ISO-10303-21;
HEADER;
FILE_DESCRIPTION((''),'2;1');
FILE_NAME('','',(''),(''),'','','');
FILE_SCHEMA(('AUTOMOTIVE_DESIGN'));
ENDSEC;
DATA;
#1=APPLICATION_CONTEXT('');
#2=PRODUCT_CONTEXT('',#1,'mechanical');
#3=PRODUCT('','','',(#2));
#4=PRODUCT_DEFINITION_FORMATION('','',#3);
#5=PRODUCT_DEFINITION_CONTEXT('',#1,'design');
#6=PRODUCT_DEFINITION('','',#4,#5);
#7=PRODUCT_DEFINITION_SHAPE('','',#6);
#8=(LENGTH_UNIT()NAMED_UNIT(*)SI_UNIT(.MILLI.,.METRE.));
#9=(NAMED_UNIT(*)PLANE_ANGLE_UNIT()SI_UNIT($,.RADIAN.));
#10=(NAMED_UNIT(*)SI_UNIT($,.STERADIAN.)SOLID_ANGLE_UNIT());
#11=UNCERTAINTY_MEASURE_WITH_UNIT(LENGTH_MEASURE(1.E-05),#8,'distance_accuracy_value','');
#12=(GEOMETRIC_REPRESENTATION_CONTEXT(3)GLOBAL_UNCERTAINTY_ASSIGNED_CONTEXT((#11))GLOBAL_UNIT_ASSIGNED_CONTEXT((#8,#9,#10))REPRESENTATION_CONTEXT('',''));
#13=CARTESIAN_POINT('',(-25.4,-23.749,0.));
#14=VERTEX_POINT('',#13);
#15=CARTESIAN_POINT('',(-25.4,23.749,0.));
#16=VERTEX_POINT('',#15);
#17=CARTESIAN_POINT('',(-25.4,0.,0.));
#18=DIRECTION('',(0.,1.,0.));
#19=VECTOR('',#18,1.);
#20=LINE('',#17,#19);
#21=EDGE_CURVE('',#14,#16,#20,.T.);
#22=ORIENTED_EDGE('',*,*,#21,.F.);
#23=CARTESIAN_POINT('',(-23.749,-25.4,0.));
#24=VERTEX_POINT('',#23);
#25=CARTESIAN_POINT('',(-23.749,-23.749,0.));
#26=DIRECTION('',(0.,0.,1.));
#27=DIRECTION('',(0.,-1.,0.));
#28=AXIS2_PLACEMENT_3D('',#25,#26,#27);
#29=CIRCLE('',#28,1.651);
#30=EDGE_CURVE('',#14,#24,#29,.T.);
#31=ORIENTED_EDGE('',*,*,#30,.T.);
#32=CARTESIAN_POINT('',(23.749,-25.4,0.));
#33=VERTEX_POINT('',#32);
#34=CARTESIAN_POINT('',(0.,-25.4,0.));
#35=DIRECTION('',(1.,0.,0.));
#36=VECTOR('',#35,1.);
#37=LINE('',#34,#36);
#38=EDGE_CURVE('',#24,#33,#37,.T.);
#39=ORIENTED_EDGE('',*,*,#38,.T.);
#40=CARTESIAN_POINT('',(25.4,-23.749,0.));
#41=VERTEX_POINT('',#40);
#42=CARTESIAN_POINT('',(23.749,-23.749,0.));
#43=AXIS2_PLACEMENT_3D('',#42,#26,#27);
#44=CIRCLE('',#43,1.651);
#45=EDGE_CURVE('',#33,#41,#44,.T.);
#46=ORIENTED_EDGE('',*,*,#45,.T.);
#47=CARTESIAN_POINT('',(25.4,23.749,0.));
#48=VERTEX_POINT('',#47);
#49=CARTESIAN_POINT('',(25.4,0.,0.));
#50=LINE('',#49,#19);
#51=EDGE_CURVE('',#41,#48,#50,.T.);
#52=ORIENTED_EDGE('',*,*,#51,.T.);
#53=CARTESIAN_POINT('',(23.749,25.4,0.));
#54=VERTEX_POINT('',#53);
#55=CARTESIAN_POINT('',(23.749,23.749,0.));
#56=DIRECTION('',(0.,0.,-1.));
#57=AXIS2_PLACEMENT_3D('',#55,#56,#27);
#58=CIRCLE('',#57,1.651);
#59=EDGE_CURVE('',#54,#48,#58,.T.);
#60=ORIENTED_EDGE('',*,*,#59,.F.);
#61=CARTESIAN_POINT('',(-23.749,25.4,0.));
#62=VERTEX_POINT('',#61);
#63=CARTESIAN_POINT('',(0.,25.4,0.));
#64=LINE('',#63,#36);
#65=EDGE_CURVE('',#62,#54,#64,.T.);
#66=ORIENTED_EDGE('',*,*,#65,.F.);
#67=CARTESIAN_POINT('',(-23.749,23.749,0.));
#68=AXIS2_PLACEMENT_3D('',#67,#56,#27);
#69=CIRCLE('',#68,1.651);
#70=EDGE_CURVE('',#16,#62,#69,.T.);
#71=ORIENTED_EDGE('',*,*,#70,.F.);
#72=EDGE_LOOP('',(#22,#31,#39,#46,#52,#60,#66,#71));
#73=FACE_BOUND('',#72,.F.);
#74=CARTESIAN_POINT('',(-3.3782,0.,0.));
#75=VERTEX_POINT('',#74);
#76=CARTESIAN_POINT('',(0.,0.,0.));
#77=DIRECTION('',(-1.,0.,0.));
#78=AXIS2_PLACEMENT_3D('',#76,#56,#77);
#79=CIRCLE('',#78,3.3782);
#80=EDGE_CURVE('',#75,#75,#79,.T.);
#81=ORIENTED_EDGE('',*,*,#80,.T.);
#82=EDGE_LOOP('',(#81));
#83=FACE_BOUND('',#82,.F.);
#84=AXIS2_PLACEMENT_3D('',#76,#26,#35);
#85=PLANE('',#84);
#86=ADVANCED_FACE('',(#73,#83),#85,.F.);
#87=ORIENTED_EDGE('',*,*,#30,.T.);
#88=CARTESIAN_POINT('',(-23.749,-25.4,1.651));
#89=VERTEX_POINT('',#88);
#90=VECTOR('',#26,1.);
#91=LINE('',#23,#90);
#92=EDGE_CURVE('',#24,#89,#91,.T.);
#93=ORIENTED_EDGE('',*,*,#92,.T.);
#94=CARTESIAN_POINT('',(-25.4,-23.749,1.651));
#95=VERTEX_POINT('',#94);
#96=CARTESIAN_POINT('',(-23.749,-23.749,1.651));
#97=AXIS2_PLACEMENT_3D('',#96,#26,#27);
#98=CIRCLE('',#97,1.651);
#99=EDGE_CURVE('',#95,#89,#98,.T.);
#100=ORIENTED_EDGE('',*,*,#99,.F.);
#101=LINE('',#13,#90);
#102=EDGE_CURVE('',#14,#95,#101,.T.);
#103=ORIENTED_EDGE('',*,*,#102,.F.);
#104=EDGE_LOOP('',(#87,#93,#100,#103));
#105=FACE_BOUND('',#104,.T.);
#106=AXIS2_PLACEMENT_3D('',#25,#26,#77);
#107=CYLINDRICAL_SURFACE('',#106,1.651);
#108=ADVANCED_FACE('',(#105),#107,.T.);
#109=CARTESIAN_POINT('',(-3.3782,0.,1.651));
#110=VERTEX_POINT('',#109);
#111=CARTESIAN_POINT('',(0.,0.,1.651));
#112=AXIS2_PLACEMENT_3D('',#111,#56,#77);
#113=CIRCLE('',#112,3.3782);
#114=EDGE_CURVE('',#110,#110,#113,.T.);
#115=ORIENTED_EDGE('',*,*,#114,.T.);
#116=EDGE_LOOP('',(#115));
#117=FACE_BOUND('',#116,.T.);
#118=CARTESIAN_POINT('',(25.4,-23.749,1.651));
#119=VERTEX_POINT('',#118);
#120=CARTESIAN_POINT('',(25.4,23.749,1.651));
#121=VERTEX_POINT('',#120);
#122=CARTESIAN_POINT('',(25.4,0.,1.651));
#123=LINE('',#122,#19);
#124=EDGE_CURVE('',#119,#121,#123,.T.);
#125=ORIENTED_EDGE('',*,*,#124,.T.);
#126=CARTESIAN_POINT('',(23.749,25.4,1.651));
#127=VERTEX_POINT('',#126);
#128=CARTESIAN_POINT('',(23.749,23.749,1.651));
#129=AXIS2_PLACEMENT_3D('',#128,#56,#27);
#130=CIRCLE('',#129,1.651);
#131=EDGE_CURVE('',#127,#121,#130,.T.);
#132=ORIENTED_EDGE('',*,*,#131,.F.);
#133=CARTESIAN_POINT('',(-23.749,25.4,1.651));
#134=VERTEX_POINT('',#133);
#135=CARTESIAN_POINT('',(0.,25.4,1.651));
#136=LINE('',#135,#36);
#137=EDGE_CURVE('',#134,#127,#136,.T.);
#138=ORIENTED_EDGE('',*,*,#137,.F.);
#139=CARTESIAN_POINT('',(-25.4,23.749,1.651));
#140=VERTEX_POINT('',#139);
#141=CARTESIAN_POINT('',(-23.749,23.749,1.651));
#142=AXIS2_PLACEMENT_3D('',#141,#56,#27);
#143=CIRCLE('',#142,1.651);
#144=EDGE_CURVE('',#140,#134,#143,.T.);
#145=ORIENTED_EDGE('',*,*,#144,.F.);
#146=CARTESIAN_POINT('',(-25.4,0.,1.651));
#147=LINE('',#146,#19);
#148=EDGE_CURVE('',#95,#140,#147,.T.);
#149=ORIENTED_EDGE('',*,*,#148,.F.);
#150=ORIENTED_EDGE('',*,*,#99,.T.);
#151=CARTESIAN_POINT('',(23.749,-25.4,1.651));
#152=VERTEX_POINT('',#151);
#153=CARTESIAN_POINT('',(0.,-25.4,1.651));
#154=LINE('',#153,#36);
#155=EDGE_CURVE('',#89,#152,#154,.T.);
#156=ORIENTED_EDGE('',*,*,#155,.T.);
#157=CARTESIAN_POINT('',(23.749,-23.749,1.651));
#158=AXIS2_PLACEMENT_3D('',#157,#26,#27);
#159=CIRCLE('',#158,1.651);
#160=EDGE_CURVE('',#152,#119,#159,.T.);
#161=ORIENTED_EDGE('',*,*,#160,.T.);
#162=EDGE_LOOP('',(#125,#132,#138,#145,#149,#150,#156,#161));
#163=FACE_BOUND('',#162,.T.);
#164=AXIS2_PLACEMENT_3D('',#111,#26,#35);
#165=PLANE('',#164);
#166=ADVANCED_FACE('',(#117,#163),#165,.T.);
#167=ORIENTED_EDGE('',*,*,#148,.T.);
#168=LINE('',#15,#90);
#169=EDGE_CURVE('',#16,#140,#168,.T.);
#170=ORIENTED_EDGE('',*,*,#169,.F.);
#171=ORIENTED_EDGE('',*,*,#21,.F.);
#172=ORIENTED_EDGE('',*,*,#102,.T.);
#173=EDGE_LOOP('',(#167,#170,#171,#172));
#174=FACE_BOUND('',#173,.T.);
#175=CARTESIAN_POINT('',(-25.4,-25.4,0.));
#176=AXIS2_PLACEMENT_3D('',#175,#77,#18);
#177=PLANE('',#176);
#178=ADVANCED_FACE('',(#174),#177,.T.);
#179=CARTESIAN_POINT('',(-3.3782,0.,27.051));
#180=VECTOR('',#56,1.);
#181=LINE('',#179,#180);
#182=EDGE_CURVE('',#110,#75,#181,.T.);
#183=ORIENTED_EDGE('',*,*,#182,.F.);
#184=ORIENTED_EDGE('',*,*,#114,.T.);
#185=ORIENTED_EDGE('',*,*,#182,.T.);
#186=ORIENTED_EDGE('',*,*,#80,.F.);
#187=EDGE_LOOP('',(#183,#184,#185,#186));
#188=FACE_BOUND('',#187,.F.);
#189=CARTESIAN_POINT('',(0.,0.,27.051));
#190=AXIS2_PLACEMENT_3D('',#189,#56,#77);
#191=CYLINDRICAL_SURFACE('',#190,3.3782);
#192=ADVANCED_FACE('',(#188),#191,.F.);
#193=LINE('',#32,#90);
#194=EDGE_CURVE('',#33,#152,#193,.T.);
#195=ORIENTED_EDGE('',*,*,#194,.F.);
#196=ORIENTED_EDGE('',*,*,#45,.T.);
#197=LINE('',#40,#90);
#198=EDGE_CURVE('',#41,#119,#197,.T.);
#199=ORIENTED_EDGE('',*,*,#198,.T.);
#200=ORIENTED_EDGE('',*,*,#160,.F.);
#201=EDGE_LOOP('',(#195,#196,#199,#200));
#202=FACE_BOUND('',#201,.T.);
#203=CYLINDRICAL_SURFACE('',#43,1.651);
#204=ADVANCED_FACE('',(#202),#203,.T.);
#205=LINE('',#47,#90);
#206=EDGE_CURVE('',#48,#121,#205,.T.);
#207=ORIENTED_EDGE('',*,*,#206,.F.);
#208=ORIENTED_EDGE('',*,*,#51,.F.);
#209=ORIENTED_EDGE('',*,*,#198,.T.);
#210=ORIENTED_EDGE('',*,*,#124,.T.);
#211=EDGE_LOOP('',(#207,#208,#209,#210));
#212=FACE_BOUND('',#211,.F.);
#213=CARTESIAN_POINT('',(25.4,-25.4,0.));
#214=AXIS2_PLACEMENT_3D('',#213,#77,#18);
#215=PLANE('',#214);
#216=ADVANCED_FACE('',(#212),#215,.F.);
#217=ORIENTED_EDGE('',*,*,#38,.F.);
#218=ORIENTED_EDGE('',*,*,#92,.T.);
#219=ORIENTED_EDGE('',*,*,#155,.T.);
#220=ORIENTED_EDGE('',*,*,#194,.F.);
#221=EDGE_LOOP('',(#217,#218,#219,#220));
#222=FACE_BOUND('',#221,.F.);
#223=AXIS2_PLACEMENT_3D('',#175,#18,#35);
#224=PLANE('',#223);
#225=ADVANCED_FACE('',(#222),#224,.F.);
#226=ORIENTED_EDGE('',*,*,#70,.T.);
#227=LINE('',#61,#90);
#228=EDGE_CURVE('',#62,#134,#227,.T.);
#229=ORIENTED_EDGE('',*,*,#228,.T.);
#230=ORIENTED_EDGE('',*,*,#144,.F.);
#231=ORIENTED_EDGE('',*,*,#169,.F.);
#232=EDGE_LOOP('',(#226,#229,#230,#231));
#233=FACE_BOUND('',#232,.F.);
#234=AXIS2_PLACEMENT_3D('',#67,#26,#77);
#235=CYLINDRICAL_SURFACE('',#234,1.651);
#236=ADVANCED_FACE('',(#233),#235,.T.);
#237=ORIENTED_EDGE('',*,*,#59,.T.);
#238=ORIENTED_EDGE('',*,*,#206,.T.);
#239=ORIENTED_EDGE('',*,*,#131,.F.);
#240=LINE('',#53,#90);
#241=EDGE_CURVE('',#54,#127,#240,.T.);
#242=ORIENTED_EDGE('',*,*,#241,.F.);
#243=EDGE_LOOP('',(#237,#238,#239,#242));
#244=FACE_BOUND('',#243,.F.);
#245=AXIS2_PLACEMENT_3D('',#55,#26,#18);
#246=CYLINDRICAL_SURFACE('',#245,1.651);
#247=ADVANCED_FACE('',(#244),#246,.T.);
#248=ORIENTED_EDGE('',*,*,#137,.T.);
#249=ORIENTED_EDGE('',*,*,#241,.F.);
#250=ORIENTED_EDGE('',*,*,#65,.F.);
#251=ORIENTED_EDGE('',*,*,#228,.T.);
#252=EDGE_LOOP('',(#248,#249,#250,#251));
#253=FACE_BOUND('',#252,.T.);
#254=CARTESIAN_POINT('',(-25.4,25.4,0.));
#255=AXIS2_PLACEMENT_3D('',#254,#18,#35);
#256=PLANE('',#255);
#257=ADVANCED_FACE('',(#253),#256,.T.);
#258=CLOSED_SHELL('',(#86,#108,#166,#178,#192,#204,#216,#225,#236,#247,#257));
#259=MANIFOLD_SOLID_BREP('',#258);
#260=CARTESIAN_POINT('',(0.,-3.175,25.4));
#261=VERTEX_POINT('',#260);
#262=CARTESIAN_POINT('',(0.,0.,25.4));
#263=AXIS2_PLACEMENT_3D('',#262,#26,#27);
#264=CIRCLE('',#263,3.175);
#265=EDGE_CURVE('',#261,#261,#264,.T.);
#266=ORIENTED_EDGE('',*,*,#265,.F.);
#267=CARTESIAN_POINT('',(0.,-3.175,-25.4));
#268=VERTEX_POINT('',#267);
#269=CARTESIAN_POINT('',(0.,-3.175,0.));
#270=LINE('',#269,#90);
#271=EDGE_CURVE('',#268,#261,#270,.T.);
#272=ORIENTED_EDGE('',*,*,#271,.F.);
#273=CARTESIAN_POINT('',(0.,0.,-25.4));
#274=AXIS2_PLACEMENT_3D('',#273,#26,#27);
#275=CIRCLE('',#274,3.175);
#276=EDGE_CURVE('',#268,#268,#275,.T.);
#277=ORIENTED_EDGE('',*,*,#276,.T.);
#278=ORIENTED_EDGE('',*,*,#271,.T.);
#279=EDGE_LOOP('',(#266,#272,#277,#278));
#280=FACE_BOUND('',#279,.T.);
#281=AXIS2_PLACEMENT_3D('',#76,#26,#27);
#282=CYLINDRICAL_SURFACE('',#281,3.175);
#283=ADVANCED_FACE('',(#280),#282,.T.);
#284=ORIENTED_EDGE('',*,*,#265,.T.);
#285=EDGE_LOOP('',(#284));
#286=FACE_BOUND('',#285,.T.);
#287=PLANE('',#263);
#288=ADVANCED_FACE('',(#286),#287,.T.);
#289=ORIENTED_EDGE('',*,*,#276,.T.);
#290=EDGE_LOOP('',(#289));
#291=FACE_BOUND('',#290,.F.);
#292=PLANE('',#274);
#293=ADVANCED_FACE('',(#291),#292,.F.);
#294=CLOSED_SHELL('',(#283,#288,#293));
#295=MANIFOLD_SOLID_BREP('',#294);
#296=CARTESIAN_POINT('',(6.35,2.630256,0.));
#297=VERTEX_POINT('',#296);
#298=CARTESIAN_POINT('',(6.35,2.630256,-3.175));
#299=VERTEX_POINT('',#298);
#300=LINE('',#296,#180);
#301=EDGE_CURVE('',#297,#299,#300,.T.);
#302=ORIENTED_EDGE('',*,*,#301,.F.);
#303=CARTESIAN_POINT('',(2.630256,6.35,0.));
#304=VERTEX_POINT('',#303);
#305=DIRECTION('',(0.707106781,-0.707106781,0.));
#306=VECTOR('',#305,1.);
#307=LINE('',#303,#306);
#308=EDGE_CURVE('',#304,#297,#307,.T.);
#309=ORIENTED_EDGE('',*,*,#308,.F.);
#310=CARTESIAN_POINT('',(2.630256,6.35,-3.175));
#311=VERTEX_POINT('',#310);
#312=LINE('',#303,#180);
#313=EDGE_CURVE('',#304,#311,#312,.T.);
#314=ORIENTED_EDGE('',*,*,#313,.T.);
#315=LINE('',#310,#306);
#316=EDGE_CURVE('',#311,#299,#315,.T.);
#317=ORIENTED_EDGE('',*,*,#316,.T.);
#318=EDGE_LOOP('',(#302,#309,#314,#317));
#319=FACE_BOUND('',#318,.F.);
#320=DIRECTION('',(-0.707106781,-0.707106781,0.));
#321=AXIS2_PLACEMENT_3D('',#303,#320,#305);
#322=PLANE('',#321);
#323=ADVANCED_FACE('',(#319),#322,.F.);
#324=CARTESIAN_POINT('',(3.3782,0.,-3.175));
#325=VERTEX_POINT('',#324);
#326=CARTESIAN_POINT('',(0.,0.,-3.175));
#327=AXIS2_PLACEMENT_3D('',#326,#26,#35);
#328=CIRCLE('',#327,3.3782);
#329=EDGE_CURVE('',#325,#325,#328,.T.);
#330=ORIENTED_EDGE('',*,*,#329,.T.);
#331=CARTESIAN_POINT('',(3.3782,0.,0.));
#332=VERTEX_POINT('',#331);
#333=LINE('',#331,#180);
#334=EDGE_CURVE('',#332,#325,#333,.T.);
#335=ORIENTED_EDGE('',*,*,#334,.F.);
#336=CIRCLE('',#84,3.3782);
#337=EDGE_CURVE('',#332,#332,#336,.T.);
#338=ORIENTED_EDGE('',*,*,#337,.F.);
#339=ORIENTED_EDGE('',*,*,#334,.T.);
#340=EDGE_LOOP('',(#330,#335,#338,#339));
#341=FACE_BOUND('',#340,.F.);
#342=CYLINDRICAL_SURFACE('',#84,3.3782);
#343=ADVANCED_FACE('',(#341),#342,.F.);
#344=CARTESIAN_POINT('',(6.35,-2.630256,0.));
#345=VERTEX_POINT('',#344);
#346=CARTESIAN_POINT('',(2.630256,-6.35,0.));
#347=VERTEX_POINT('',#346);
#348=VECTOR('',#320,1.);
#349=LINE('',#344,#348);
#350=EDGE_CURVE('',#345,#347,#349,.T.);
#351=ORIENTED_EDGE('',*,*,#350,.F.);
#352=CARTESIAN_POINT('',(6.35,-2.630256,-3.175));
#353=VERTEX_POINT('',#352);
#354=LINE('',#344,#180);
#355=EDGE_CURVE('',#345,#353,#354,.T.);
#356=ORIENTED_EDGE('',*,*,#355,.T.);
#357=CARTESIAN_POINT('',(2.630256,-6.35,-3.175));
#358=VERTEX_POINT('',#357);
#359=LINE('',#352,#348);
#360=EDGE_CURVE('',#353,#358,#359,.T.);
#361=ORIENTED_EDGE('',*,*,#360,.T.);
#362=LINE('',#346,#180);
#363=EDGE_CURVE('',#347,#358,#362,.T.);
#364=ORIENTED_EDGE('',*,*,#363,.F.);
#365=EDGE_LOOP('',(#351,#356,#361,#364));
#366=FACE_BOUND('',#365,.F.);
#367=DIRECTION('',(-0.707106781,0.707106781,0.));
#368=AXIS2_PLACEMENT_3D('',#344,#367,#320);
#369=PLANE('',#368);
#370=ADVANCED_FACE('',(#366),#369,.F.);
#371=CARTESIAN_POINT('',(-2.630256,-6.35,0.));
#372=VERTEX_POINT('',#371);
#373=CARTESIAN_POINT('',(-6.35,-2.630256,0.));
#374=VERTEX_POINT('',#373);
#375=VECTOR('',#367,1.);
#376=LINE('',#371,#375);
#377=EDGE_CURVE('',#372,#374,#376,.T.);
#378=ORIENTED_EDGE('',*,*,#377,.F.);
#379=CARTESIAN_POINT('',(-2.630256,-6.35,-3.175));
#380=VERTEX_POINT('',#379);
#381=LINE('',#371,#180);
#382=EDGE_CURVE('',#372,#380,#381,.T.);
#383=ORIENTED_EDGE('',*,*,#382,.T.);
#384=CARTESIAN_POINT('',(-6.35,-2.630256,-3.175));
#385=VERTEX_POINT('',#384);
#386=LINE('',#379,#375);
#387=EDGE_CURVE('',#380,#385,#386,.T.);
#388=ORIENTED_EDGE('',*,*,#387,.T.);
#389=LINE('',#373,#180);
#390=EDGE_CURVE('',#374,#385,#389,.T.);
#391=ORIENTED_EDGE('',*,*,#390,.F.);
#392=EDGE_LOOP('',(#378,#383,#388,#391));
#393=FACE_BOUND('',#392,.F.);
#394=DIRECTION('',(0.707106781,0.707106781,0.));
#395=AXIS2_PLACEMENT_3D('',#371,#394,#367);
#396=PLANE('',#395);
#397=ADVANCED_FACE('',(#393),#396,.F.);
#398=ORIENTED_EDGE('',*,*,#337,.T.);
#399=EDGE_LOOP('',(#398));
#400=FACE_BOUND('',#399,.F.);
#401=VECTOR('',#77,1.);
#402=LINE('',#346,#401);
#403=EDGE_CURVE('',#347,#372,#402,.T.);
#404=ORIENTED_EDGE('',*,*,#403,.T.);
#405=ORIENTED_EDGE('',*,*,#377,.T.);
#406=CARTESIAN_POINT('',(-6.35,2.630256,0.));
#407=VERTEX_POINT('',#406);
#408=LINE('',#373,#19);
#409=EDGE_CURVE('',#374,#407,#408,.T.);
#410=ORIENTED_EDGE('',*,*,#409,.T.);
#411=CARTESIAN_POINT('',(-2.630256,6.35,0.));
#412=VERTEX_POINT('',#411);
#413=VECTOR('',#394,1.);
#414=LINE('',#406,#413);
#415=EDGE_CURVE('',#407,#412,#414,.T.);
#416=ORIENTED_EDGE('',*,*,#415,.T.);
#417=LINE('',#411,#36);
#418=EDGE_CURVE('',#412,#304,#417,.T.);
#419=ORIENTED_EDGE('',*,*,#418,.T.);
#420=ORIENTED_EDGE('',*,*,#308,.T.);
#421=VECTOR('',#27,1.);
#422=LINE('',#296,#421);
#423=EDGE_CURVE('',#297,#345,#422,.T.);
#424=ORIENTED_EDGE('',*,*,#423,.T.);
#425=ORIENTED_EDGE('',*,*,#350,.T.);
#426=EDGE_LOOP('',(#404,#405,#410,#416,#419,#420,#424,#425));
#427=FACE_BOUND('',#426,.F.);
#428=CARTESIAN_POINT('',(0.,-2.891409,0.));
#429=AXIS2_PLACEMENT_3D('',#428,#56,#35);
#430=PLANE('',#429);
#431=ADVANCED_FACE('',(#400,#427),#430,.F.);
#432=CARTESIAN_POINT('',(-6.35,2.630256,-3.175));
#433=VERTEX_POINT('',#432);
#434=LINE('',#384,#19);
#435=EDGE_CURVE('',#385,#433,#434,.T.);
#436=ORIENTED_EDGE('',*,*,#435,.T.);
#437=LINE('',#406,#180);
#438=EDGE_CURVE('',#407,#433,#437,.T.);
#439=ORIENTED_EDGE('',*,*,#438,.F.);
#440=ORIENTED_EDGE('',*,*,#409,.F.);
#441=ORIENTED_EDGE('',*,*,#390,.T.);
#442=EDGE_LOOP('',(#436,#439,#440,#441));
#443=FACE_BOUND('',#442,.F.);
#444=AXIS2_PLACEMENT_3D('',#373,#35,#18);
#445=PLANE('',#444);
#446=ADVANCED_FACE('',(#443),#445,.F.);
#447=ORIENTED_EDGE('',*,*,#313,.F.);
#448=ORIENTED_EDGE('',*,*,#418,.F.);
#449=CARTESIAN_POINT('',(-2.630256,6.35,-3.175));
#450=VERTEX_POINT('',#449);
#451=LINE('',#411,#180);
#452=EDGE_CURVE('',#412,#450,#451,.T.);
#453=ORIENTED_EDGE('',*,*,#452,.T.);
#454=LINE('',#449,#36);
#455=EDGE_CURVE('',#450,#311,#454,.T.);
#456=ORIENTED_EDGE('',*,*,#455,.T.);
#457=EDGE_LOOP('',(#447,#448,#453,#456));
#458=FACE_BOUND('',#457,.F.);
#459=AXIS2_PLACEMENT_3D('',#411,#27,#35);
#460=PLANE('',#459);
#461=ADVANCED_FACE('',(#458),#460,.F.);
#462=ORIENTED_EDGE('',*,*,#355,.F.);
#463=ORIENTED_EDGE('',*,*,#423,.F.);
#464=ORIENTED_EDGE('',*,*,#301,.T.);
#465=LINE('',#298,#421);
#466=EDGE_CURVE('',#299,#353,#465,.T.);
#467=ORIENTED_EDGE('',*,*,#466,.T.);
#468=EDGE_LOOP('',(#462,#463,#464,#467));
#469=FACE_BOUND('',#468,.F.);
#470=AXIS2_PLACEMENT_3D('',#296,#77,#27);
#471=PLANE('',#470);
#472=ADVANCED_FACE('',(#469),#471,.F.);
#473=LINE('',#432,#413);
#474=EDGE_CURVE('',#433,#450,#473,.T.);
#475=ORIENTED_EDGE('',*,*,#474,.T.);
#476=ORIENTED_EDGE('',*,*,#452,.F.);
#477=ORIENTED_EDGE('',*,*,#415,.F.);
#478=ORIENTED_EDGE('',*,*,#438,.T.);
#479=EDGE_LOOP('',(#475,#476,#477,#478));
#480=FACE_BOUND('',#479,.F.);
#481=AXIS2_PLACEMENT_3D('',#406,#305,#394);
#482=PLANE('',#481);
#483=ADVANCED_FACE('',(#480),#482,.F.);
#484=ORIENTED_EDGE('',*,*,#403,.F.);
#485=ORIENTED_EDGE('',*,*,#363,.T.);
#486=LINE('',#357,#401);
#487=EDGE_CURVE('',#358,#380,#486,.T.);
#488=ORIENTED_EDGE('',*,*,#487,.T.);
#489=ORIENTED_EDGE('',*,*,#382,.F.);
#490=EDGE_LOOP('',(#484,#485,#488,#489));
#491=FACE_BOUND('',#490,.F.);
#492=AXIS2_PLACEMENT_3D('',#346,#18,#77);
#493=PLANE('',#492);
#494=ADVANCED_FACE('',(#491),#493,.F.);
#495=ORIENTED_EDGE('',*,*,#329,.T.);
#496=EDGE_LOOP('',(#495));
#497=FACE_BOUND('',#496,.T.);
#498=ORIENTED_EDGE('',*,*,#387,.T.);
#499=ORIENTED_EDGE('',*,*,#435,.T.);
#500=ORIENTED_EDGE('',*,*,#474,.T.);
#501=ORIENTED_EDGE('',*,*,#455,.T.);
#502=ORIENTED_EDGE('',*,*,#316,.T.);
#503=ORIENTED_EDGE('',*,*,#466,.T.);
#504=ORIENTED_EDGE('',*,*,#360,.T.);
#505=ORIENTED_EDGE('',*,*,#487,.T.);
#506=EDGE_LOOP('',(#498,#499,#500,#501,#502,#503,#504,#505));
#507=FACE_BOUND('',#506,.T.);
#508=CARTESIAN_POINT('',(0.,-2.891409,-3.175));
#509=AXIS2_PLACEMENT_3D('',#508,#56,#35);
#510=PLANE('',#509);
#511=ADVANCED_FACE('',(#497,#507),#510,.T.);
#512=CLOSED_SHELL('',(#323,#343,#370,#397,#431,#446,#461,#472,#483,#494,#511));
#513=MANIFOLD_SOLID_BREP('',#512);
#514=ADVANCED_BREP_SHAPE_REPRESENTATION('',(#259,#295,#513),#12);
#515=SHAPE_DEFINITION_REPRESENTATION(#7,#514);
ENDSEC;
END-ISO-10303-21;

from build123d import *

# Parameters (mm, degrees)
F0_W     = 50.8
F0_H     = 50.8
F1_DEPTH = 1.651
F3_D     = 6.7564
F3_DEPTH = 25.4
F3_TIP   = 2.0298273432
F5_DEPTH = 3.175
F6_W     = 3.175
F6_H     = 50.8
F8_R     = 1.651


with BuildPart() as f1:
    # F0 (on Top) → F1 (new body)
    with BuildSketch(Plane.XY):
        Rectangle(F0_W, F0_H)
    extrude(amount=F1_DEPTH)

    # F3
    with Locations(Plane.XY.offset(1.651)):
        with Locations((0, 0)):
            Hole(F3_D / 2, depth=F3_DEPTH)
            with Locations((0, 0, -(F3_DEPTH + F3_TIP / 2))):  # 118° drill point
                Cone(0, F3_D / 2, F3_TIP, mode=Mode.SUBTRACT)

    # F8
    f8_edges = [f1.edges().sort_by_distance(p)[0] for p in [
        (-25.4, -25.4, 0.8255),
        (25.4, 25.4, 0.8255),
        (-25.4, 25.4, 0.8255),
        (25.4, -25.4, 0.8255),
    ]]
    fillet(f8_edges, radius=F8_R)


with BuildPart() as f5:
    # F4 (on face) → F5 (new body)
    with BuildSketch(Plane(origin=(0, 0, 0), x_dir=(1, 0, 0), z_dir=(0, 0, -1))):
        with BuildLine():
            Line((3.3782, 0), (6.35, 0))
            Line((6.35, 0), (6.35, 2.6302561211))
            Line((6.35, 2.6302561211), (2.6302561211, 6.35))
            Line((2.6302561211, 6.35), (-2.6302561211, 6.35))
            Line((-2.6302561211, 6.35), (-6.35, 2.6302561211))
            Line((-6.35, 2.6302561211), (-6.35, 0))
            Line((-6.35, 0), (-3.3782, 0))
            ThreePointArc((-3.3782, 0), (0, 3.3782), (3.3782, 0))
        make_face()
        with BuildLine():
            Line((-2.6302561211, -6.35), (2.6302561211, -6.35))
            Line((2.6302561211, -6.35), (6.35, -2.6302561211))
            Line((6.35, -2.6302561211), (6.35, 0))
            Line((6.35, 0), (3.3782, 0))
            ThreePointArc((3.3782, 0), (0, -3.3782), (-3.3782, 0))
            Line((-3.3782, 0), (-6.35, 0))
            Line((-6.35, 0), (-6.35, -2.6302561211))
            Line((-6.35, -2.6302561211), (-2.6302561211, -6.35))
        make_face()
    extrude(amount=F5_DEPTH)


with BuildPart() as f7:
    # F6 (on Right) → F7 (revolve)
    with BuildSketch(Plane.YZ):
        with Locations((-1.5875, 0)):
            Rectangle(F6_W, F6_H)
    revolve(axis=Axis((0, 0, 0), (0, 0, 1)))


solid = Compound([f1.part, f5.part, f7.part])
